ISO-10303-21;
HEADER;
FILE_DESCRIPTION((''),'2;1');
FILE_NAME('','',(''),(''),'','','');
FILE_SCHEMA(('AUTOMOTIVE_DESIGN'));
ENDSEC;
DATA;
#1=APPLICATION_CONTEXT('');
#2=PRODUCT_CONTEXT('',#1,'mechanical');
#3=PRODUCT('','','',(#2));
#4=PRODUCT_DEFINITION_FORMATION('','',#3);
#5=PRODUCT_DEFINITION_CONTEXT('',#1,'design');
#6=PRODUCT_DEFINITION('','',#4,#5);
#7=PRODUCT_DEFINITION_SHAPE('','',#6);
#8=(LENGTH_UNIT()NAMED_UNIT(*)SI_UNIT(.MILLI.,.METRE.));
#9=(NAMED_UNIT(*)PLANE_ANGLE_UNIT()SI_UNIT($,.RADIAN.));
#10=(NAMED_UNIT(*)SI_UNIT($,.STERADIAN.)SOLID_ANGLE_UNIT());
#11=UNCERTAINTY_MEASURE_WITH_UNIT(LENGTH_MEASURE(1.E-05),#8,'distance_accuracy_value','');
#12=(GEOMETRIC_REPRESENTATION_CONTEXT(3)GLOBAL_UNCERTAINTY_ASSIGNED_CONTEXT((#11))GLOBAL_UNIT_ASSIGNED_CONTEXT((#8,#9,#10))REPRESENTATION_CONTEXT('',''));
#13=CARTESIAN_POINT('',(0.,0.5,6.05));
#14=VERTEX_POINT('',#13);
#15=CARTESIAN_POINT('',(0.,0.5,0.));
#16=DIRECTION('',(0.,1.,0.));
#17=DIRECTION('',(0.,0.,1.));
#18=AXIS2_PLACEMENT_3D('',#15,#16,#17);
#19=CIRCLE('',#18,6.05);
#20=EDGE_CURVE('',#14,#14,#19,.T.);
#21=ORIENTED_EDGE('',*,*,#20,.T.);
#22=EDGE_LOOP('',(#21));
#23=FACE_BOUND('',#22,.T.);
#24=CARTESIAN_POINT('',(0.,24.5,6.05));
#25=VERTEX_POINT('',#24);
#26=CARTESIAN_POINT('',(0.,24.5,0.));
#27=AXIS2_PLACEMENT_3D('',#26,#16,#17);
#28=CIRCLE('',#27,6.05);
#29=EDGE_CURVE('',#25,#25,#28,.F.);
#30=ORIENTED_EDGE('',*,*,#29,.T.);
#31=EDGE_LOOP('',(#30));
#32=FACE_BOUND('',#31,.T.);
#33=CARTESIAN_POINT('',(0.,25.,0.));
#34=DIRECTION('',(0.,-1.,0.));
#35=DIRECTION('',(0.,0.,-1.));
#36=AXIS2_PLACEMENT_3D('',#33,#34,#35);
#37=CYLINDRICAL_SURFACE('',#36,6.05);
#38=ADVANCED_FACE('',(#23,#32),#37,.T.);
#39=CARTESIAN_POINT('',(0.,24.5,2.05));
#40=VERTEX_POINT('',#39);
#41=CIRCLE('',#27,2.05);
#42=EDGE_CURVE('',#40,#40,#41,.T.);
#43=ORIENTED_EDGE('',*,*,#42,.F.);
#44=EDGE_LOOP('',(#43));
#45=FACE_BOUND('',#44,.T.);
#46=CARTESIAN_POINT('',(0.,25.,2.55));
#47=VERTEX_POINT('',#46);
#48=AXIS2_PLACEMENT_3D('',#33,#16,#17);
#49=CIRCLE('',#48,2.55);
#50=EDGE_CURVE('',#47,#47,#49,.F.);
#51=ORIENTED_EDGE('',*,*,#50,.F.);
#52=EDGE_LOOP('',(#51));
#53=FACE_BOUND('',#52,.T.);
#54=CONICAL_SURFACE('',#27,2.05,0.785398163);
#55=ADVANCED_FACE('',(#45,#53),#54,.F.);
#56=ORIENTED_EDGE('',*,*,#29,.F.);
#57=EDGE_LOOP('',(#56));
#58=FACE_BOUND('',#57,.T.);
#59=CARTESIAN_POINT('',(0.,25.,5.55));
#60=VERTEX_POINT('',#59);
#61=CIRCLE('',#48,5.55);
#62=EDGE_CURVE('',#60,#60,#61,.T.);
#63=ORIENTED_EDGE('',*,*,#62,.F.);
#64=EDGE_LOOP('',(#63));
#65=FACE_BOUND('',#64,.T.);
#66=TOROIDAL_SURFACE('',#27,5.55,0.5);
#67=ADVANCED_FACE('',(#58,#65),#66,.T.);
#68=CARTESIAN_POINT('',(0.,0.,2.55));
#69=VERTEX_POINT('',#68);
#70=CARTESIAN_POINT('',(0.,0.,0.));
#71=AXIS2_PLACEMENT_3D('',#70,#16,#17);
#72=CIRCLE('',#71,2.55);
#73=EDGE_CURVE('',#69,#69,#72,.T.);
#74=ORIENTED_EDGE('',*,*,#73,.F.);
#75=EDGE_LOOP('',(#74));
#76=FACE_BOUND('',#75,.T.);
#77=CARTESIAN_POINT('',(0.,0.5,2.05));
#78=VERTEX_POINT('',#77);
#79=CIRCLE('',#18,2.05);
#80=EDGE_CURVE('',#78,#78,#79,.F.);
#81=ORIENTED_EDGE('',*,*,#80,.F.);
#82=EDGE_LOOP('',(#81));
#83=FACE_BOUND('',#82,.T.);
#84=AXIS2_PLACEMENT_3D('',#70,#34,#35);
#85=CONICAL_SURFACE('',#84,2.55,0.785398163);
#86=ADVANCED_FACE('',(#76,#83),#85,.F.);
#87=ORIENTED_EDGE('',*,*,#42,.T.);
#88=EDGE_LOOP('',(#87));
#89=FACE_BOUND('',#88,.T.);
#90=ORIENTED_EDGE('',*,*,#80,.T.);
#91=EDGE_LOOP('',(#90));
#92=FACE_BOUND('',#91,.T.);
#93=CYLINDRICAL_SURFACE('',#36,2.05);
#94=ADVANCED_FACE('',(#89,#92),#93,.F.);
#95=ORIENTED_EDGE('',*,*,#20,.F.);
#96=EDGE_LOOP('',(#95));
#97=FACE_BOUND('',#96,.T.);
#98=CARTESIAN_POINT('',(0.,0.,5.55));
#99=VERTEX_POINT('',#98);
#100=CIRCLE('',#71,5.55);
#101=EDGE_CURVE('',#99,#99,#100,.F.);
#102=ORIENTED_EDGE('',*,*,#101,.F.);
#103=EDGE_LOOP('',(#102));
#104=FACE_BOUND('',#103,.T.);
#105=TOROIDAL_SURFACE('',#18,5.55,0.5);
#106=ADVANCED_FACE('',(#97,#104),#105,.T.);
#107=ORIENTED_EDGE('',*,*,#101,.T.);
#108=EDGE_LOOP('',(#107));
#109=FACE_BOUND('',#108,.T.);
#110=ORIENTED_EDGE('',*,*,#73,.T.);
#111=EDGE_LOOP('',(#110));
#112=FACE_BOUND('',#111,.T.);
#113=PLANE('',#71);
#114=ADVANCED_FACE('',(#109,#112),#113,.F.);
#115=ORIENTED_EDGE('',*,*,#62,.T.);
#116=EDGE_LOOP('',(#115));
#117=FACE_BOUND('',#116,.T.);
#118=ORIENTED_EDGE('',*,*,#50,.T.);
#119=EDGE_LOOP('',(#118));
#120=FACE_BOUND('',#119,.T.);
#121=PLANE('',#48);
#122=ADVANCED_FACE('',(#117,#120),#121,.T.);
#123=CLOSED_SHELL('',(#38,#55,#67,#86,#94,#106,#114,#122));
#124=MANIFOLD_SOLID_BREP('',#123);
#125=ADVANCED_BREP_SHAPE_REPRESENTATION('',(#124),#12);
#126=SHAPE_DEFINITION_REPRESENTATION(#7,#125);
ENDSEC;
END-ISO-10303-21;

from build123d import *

# Parameters (mm, degrees)
SKETCH1_R           = 6.05
SKETCH1_R_2         = 2.05
BOSS_EXTRUDE1_DEPTH = 25
CHAMFER1_SIZE       = 0.5
FILLET1_R           = 0.5


with BuildPart() as part:
    # Sketch1 → Boss-Extrude1 (new body)
    with BuildSketch(Plane(origin=(0, 0, 0), x_dir=(1, 0, 0), z_dir=(0, 1, 0))):
        with Locations(Location((0, 0, 0), (0, 0, 270))):
            Circle(SKETCH1_R)
        with Locations(Location((0, 0, 0), (0, 0, 270))):
            Circle(SKETCH1_R_2, mode=Mode.SUBTRACT)
    extrude(amount=BOSS_EXTRUDE1_DEPTH)

    # Chamfer1
    chamfer1_edges = [part.edges().sort_by_distance(p)[0] for p in [
        (0, 0, -2.05),
        (0, 25, -2.05),
    ]]
    chamfer(chamfer1_edges, length=CHAMFER1_SIZE)

    # Fillet1
    fillet1_edges = [part.edges().sort_by_distance(p)[0] for p in [
        (0, 0, -6.05),
        (0, 25, -6.05),
    ]]
    fillet(fillet1_edges, radius=FILLET1_R)


solid = part.part
